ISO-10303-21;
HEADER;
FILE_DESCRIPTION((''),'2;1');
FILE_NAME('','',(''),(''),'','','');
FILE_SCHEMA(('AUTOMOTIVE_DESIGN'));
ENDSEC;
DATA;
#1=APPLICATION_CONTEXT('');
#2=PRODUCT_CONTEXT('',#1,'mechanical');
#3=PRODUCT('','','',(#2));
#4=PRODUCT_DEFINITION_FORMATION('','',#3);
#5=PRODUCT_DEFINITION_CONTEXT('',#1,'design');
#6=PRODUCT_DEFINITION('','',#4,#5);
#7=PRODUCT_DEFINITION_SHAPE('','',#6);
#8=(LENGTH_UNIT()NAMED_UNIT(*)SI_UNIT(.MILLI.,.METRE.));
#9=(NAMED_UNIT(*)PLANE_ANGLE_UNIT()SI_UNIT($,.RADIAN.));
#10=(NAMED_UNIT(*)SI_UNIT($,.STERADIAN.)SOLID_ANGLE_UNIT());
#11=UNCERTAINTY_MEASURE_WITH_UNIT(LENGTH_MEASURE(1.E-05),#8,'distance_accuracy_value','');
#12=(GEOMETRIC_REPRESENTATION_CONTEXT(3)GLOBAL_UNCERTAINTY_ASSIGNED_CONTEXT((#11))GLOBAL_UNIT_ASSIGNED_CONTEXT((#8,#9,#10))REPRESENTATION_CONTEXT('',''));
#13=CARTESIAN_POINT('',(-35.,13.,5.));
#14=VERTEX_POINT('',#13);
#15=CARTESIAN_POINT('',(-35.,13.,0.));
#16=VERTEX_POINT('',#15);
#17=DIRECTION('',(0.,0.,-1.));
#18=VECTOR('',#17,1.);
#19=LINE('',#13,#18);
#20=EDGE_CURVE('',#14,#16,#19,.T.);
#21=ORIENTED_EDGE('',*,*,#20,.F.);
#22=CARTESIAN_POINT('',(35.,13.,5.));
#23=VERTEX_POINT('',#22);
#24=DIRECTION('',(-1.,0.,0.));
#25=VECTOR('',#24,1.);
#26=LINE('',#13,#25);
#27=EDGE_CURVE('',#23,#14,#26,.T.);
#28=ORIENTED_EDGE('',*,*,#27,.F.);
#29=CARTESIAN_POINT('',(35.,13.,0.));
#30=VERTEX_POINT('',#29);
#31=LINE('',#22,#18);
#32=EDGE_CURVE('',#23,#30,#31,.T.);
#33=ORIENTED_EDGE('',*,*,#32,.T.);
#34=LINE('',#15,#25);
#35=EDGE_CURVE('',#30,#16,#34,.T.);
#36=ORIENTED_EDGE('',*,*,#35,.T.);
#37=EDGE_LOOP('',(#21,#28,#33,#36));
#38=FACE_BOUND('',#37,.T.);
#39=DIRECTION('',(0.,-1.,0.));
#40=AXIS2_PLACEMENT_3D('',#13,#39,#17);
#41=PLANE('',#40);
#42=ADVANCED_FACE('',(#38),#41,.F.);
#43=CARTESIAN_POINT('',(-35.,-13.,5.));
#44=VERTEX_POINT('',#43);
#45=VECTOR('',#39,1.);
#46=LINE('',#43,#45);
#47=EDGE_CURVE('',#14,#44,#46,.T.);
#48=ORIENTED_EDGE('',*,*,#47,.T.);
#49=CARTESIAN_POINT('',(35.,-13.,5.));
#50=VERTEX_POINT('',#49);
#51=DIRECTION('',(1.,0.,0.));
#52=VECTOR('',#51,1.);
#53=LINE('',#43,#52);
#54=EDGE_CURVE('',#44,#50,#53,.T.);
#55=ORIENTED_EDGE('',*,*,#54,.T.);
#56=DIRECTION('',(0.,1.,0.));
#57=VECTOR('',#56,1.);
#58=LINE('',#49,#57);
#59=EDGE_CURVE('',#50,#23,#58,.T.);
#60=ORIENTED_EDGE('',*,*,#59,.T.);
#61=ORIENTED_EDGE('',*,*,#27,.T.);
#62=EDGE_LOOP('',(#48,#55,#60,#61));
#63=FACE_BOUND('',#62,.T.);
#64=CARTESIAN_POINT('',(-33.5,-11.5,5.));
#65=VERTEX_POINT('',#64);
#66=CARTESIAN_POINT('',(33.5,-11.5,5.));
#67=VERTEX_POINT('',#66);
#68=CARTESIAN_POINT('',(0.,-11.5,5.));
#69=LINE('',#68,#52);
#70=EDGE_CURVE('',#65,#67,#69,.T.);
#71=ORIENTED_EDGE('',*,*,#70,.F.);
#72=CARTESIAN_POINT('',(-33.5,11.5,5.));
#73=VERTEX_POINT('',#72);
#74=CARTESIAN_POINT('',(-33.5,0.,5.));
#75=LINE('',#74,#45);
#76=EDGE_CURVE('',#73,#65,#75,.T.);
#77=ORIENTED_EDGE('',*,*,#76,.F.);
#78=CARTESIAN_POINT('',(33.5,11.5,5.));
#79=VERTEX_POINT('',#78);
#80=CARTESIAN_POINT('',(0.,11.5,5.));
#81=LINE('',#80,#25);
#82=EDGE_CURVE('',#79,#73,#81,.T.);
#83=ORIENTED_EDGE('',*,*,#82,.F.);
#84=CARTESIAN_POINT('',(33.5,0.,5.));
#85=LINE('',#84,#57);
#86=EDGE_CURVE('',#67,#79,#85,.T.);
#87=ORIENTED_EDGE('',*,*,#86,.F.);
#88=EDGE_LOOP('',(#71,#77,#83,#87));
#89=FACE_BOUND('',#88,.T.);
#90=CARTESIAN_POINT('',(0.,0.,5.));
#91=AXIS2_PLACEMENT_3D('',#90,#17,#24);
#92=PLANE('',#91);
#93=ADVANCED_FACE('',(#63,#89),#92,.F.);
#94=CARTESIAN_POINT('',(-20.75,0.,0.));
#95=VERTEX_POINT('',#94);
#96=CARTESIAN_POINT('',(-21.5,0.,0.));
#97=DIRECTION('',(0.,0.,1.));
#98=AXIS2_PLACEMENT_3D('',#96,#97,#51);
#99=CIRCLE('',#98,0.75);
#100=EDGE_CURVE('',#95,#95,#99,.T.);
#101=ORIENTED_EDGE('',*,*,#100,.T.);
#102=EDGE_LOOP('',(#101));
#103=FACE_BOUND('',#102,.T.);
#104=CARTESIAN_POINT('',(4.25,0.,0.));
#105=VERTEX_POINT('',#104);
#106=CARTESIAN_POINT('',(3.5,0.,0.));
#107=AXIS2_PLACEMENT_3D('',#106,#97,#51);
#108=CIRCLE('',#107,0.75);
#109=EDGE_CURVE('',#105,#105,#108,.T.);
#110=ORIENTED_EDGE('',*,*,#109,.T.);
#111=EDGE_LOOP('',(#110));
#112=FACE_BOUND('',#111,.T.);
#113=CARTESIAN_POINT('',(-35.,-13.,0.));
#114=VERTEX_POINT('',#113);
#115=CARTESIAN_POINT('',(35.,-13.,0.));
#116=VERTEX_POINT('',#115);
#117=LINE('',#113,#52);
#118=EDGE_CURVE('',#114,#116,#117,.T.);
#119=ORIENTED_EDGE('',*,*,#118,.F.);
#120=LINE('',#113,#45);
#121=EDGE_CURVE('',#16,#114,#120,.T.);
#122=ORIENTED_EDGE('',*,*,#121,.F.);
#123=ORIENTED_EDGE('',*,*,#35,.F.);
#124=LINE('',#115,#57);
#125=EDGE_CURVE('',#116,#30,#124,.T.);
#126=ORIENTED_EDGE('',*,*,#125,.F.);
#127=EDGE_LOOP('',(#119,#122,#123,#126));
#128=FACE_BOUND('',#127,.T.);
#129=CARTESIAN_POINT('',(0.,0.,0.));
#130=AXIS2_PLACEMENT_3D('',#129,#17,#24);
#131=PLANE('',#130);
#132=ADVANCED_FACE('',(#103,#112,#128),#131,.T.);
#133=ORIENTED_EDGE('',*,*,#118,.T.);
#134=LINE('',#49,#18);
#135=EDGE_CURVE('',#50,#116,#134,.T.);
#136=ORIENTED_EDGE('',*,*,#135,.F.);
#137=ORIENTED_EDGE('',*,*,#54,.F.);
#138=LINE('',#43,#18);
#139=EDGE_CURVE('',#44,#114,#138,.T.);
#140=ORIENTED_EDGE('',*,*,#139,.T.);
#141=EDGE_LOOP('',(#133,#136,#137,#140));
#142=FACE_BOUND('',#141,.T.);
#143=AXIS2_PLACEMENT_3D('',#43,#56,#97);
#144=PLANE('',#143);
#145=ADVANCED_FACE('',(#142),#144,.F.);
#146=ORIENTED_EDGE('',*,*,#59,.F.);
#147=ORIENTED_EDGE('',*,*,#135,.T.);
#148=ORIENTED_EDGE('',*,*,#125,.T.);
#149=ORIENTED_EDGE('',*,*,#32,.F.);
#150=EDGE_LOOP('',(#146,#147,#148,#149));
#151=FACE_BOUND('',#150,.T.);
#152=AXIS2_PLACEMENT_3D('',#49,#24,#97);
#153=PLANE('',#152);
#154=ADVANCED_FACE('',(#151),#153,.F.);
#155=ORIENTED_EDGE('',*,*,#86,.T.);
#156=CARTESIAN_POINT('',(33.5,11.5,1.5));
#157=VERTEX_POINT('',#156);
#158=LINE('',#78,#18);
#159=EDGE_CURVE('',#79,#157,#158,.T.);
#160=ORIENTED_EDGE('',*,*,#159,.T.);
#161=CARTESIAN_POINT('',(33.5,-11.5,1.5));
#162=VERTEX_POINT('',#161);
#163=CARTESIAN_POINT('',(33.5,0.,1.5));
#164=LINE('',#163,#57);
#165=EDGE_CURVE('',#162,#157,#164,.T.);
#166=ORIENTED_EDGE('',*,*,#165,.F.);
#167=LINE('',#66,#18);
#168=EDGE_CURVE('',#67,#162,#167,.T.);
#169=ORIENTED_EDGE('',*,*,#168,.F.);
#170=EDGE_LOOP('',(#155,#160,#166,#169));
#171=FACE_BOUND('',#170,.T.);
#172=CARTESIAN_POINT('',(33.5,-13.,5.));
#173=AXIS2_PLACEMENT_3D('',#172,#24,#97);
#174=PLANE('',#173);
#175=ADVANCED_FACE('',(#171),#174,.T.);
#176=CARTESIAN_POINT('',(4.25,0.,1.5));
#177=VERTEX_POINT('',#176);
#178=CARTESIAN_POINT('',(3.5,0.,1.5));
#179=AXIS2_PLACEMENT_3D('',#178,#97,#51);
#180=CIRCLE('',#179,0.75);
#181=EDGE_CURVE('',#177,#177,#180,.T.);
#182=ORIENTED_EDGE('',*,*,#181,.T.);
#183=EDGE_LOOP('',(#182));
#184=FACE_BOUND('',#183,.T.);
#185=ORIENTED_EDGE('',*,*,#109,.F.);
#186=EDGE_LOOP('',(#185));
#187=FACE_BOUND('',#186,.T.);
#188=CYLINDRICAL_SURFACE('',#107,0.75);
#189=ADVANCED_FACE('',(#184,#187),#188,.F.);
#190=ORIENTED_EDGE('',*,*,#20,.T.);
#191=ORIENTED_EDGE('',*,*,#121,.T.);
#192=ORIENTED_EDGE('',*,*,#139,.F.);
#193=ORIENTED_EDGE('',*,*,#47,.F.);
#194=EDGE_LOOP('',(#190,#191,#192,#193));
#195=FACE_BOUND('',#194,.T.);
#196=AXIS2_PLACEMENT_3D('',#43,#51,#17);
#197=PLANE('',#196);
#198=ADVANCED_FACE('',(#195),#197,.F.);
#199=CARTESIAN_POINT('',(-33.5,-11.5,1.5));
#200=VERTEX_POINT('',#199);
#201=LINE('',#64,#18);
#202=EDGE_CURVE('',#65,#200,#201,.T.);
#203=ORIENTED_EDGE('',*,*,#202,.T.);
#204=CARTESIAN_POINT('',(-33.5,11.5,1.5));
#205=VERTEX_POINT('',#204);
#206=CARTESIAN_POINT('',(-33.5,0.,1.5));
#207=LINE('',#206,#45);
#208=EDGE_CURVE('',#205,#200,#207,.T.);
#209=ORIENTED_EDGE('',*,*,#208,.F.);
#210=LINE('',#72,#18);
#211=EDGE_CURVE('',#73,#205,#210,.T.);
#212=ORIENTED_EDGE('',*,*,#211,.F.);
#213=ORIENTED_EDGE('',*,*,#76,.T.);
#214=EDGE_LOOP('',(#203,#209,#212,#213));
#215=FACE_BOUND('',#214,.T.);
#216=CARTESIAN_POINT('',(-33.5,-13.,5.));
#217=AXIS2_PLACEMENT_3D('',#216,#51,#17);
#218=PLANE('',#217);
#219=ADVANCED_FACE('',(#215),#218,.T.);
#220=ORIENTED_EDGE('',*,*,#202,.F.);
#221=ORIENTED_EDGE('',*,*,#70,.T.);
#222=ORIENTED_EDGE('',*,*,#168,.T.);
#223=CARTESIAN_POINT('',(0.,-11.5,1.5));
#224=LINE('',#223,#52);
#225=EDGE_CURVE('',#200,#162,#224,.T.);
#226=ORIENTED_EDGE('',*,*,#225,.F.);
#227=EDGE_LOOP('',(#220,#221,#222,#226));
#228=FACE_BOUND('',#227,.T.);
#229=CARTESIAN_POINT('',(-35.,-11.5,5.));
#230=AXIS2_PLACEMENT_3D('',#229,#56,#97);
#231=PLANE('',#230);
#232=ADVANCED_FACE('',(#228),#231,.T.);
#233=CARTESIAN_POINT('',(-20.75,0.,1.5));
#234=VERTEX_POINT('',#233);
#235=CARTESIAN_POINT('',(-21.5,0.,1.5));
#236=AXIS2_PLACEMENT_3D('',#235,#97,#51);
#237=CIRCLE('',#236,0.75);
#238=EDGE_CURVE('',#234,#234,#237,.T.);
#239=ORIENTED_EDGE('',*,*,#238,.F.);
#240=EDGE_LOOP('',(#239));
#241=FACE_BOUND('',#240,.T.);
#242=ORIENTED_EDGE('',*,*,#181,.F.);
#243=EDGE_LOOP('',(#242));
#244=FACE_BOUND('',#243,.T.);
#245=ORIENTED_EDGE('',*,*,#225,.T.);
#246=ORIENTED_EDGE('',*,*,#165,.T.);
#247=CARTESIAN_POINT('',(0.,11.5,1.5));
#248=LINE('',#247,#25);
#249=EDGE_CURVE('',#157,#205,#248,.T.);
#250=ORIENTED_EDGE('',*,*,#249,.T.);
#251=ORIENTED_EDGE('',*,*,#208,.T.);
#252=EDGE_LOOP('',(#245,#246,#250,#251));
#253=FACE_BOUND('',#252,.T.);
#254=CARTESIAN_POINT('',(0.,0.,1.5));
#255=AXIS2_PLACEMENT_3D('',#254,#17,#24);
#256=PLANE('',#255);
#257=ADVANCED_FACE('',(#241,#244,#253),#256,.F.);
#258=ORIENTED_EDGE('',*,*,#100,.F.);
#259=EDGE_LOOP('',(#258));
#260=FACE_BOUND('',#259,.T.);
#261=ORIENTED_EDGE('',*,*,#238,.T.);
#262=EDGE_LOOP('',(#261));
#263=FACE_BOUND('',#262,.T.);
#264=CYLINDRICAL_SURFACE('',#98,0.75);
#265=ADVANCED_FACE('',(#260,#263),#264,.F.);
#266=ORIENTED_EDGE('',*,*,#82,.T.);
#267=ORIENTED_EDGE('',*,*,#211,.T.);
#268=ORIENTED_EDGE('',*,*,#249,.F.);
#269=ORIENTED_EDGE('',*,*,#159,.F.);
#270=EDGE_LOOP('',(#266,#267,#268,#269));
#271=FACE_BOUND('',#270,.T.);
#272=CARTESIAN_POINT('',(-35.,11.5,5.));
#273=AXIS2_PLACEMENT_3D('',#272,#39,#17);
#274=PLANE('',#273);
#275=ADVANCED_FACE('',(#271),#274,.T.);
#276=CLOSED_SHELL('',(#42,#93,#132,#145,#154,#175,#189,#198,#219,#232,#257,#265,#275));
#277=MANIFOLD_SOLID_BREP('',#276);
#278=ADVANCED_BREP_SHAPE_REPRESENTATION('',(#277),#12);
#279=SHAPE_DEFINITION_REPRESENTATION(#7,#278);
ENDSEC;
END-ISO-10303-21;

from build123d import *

# Parameters (mm, degrees)
SKETCH1_W           = 70
SKETCH1_H           = 26
BOSS_EXTRUDE1_DEPTH = 5
SHELL1_T            = -1.5
SKETCH2_R           = 0.75
CUT_EXTRUDE1_DEPTH  = 2.5


with BuildPart() as part:
    # Sketch1 → Boss-Extrude1 (new body)
    with BuildSketch(Plane.XY):
        Rectangle(SKETCH1_W, SKETCH1_H)
    extrude(amount=BOSS_EXTRUDE1_DEPTH)

    # Shell1
    shell1_openings = [part.faces().sort_by_distance(p)[0] for p in [
        (0, 0, 5),
    ]]
    offset(amount=SHELL1_T, openings=shell1_openings, kind=Kind.INTERSECTION)

    # Sketch2 → Cut-Extrude1 (cut, through all)
    with BuildSketch(Plane.XY.offset(1.5)):
        with Locations((-21.5, 0)):
            Circle(SKETCH2_R)
        with Locations((3.5, 0)):
            Circle(SKETCH2_R)
    extrude(amount=-CUT_EXTRUDE1_DEPTH, mode=Mode.SUBTRACT)


solid = part.part
